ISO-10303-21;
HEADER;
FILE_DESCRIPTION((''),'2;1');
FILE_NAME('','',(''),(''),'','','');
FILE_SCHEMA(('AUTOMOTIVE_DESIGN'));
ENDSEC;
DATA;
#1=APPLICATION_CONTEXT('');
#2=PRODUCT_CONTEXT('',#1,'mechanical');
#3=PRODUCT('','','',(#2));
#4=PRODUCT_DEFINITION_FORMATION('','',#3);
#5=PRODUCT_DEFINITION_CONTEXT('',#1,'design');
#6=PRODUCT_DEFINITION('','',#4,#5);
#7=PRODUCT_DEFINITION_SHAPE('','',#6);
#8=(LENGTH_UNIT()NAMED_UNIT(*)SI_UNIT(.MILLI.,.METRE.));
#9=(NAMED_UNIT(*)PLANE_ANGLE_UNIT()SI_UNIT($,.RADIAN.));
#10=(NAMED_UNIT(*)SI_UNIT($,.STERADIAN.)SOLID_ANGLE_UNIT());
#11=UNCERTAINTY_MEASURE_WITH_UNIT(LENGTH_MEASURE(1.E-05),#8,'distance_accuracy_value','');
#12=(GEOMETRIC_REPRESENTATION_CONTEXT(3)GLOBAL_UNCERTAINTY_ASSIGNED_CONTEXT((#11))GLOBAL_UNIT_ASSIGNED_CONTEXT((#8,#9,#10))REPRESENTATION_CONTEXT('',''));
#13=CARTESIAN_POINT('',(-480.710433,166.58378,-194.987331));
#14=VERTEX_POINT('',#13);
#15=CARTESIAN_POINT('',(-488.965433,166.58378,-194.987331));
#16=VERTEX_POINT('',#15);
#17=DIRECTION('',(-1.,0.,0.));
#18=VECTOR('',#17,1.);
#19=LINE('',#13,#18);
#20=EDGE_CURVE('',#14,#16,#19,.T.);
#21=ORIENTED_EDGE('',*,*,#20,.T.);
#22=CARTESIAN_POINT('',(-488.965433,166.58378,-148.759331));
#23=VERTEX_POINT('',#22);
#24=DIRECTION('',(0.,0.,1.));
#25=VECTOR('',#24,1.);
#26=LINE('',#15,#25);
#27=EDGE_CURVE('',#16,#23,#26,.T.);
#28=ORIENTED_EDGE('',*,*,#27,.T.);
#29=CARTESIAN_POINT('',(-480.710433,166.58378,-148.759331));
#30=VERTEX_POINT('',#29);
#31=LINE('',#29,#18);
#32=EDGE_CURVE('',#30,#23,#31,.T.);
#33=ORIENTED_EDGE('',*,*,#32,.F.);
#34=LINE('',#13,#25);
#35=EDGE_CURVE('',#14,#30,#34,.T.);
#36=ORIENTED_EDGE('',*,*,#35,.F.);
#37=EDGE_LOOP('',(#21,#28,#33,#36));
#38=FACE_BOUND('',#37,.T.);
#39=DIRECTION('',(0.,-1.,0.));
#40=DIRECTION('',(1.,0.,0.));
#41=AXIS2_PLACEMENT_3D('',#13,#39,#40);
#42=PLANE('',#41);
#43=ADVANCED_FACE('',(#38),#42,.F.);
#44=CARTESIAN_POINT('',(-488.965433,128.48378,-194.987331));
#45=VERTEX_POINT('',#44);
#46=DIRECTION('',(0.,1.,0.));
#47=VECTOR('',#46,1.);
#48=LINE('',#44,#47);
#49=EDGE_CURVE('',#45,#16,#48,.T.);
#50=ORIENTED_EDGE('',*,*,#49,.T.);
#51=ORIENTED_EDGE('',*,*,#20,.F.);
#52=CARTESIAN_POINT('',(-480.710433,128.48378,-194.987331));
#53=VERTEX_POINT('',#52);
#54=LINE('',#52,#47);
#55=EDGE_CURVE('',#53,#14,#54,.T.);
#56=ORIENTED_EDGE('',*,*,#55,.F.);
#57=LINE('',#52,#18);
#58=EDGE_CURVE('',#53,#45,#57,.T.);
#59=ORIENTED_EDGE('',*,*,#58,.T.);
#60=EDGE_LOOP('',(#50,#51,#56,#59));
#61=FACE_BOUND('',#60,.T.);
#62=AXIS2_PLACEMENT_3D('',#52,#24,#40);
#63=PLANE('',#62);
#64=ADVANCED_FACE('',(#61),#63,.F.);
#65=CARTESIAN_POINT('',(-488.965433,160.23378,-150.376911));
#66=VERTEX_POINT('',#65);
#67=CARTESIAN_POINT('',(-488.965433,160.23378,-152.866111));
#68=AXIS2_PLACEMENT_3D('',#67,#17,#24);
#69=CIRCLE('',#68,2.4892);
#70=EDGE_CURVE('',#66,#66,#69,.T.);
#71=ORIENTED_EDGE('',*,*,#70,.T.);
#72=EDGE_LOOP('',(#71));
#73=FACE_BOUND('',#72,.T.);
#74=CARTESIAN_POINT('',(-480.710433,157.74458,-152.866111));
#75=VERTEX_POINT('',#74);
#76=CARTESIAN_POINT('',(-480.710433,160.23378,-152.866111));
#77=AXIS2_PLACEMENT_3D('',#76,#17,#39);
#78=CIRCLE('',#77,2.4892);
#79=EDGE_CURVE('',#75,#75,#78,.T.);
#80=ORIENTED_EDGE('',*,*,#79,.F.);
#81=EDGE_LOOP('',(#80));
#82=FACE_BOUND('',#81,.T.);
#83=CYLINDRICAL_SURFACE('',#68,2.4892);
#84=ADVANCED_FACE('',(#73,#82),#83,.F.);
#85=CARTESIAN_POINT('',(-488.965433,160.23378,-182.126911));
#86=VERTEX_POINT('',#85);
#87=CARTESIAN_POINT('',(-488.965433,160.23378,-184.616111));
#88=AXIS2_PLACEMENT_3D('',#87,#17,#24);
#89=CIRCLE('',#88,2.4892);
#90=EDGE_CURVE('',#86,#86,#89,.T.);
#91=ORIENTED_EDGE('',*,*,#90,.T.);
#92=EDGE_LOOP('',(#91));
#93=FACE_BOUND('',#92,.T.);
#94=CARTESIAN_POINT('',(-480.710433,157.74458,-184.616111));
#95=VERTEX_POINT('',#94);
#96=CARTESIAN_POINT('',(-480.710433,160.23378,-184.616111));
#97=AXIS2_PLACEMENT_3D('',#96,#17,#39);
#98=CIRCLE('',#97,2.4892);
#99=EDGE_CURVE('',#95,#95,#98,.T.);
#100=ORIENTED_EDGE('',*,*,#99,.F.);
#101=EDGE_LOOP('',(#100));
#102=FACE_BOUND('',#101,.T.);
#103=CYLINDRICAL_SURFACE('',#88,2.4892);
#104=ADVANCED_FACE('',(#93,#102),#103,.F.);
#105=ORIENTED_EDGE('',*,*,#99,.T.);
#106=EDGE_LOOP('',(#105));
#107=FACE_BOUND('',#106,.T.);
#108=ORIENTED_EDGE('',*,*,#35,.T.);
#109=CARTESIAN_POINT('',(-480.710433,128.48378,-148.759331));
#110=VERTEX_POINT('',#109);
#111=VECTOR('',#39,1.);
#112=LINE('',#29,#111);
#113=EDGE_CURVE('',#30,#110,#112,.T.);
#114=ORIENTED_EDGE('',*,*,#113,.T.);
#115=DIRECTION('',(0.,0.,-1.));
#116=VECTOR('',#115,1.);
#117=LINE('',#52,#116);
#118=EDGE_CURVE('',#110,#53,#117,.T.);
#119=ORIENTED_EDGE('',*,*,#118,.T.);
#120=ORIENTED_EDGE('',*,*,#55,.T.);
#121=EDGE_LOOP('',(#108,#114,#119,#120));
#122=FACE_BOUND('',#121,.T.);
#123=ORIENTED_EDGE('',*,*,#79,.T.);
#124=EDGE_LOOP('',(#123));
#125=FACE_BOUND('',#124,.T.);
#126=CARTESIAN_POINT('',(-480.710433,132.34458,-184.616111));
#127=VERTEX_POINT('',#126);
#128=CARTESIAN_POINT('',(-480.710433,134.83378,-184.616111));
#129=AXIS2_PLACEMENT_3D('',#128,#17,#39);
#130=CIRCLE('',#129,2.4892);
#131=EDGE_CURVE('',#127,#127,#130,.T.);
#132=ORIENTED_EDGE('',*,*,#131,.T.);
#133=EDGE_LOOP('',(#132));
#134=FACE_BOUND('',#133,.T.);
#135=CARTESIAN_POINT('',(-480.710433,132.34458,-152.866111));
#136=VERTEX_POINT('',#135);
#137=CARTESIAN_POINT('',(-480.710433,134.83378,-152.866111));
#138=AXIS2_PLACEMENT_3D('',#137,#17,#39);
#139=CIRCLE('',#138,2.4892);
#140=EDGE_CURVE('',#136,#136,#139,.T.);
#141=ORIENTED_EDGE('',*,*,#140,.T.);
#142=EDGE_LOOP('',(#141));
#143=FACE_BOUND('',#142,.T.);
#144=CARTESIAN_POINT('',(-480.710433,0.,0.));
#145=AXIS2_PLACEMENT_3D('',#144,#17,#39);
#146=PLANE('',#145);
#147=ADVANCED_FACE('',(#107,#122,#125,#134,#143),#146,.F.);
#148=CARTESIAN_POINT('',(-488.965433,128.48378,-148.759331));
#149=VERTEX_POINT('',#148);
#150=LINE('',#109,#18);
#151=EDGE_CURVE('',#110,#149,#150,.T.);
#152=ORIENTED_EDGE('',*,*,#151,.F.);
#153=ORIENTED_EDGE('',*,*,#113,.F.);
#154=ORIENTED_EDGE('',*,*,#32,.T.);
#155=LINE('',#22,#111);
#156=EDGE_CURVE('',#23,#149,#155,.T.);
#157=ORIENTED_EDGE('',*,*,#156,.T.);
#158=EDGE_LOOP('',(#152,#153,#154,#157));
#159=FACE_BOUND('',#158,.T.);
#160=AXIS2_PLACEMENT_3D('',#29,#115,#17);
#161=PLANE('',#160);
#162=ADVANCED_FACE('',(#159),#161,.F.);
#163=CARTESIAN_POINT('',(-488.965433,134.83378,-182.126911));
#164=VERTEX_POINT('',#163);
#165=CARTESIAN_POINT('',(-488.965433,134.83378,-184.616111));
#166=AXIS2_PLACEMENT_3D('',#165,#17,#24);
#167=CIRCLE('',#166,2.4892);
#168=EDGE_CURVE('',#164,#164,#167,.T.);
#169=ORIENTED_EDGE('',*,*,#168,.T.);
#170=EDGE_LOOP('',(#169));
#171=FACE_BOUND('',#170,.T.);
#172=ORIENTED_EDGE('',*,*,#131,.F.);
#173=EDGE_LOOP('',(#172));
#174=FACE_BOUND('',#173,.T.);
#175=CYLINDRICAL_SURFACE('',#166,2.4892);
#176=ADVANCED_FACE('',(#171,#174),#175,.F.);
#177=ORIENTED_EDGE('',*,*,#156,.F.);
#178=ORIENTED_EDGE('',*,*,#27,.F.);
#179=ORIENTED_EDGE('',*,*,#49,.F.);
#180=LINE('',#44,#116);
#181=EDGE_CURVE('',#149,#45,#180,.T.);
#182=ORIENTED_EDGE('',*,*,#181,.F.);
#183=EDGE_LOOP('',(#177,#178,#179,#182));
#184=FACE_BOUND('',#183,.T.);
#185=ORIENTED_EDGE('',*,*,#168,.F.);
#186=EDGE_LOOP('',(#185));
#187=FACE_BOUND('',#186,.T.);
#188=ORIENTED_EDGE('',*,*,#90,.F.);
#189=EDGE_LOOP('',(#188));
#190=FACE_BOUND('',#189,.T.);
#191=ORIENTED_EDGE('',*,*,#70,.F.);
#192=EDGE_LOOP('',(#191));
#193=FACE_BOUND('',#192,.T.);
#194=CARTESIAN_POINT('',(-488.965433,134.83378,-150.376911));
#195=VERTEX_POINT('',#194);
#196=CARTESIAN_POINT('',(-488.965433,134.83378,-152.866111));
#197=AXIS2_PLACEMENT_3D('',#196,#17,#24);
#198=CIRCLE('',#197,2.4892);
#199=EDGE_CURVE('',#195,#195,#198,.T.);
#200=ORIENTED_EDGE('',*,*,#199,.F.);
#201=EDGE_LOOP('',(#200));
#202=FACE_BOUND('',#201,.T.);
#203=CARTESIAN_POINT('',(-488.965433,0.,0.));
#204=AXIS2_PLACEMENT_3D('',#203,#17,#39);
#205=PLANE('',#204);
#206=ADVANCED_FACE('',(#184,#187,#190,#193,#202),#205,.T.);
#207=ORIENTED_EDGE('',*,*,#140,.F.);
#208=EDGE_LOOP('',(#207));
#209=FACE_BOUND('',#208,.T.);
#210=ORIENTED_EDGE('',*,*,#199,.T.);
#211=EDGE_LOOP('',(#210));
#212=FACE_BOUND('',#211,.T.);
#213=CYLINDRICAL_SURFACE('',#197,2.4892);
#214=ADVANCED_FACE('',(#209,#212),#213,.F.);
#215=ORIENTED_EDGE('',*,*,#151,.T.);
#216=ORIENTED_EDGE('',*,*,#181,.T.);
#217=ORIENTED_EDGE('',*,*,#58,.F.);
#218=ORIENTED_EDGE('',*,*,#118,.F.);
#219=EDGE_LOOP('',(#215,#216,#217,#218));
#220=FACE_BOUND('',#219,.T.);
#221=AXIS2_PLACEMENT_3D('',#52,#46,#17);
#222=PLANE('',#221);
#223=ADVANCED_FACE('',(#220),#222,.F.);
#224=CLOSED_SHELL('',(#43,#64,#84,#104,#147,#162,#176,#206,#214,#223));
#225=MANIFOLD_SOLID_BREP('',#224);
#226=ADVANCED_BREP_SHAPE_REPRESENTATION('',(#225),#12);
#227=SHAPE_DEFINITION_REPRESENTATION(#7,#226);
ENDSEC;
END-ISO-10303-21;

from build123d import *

# Parameters (mm, degrees)
SKETCH2_W                  = 46.228
SKETCH2_H                  = 38.1
BOSS_EXTRUDE1_DEPTH        = 8.255
F_10_CLEARANCE_HOLE1_D     = 4.9784
F_10_CLEARANCE_HOLE1_DEPTH = 25.4
F_10_CLEARANCE_HOLE1_TIP   = 1.495662253


with BuildPart() as part:
    # Sketch2 → Boss-Extrude1 (new body)
    with BuildSketch(Plane(origin=(-488.965433296, 0, 0), x_dir=(0, 0, -1), z_dir=(1, 0, 0))):
        with Locations((171.873330939, 147.533779805)):
            Rectangle(SKETCH2_W, SKETCH2_H)
    extrude(amount=BOSS_EXTRUDE1_DEPTH)

    # #10 Clearance Hole1
    with Locations(Plane.ZY.offset(488.965433296)):
        with Locations((-184.616110941, 160.233779805), (-152.866110941, 160.233779805), (-152.866110941, 134.833779805), (-184.616110941, 134.833779805)):
            Hole(F_10_CLEARANCE_HOLE1_D / 2, depth=F_10_CLEARANCE_HOLE1_DEPTH)
            with Locations((0, 0, -(F_10_CLEARANCE_HOLE1_DEPTH + F_10_CLEARANCE_HOLE1_TIP / 2))):  # 118° drill point
                Cone(0, F_10_CLEARANCE_HOLE1_D / 2, F_10_CLEARANCE_HOLE1_TIP, mode=Mode.SUBTRACT)


solid = part.part
